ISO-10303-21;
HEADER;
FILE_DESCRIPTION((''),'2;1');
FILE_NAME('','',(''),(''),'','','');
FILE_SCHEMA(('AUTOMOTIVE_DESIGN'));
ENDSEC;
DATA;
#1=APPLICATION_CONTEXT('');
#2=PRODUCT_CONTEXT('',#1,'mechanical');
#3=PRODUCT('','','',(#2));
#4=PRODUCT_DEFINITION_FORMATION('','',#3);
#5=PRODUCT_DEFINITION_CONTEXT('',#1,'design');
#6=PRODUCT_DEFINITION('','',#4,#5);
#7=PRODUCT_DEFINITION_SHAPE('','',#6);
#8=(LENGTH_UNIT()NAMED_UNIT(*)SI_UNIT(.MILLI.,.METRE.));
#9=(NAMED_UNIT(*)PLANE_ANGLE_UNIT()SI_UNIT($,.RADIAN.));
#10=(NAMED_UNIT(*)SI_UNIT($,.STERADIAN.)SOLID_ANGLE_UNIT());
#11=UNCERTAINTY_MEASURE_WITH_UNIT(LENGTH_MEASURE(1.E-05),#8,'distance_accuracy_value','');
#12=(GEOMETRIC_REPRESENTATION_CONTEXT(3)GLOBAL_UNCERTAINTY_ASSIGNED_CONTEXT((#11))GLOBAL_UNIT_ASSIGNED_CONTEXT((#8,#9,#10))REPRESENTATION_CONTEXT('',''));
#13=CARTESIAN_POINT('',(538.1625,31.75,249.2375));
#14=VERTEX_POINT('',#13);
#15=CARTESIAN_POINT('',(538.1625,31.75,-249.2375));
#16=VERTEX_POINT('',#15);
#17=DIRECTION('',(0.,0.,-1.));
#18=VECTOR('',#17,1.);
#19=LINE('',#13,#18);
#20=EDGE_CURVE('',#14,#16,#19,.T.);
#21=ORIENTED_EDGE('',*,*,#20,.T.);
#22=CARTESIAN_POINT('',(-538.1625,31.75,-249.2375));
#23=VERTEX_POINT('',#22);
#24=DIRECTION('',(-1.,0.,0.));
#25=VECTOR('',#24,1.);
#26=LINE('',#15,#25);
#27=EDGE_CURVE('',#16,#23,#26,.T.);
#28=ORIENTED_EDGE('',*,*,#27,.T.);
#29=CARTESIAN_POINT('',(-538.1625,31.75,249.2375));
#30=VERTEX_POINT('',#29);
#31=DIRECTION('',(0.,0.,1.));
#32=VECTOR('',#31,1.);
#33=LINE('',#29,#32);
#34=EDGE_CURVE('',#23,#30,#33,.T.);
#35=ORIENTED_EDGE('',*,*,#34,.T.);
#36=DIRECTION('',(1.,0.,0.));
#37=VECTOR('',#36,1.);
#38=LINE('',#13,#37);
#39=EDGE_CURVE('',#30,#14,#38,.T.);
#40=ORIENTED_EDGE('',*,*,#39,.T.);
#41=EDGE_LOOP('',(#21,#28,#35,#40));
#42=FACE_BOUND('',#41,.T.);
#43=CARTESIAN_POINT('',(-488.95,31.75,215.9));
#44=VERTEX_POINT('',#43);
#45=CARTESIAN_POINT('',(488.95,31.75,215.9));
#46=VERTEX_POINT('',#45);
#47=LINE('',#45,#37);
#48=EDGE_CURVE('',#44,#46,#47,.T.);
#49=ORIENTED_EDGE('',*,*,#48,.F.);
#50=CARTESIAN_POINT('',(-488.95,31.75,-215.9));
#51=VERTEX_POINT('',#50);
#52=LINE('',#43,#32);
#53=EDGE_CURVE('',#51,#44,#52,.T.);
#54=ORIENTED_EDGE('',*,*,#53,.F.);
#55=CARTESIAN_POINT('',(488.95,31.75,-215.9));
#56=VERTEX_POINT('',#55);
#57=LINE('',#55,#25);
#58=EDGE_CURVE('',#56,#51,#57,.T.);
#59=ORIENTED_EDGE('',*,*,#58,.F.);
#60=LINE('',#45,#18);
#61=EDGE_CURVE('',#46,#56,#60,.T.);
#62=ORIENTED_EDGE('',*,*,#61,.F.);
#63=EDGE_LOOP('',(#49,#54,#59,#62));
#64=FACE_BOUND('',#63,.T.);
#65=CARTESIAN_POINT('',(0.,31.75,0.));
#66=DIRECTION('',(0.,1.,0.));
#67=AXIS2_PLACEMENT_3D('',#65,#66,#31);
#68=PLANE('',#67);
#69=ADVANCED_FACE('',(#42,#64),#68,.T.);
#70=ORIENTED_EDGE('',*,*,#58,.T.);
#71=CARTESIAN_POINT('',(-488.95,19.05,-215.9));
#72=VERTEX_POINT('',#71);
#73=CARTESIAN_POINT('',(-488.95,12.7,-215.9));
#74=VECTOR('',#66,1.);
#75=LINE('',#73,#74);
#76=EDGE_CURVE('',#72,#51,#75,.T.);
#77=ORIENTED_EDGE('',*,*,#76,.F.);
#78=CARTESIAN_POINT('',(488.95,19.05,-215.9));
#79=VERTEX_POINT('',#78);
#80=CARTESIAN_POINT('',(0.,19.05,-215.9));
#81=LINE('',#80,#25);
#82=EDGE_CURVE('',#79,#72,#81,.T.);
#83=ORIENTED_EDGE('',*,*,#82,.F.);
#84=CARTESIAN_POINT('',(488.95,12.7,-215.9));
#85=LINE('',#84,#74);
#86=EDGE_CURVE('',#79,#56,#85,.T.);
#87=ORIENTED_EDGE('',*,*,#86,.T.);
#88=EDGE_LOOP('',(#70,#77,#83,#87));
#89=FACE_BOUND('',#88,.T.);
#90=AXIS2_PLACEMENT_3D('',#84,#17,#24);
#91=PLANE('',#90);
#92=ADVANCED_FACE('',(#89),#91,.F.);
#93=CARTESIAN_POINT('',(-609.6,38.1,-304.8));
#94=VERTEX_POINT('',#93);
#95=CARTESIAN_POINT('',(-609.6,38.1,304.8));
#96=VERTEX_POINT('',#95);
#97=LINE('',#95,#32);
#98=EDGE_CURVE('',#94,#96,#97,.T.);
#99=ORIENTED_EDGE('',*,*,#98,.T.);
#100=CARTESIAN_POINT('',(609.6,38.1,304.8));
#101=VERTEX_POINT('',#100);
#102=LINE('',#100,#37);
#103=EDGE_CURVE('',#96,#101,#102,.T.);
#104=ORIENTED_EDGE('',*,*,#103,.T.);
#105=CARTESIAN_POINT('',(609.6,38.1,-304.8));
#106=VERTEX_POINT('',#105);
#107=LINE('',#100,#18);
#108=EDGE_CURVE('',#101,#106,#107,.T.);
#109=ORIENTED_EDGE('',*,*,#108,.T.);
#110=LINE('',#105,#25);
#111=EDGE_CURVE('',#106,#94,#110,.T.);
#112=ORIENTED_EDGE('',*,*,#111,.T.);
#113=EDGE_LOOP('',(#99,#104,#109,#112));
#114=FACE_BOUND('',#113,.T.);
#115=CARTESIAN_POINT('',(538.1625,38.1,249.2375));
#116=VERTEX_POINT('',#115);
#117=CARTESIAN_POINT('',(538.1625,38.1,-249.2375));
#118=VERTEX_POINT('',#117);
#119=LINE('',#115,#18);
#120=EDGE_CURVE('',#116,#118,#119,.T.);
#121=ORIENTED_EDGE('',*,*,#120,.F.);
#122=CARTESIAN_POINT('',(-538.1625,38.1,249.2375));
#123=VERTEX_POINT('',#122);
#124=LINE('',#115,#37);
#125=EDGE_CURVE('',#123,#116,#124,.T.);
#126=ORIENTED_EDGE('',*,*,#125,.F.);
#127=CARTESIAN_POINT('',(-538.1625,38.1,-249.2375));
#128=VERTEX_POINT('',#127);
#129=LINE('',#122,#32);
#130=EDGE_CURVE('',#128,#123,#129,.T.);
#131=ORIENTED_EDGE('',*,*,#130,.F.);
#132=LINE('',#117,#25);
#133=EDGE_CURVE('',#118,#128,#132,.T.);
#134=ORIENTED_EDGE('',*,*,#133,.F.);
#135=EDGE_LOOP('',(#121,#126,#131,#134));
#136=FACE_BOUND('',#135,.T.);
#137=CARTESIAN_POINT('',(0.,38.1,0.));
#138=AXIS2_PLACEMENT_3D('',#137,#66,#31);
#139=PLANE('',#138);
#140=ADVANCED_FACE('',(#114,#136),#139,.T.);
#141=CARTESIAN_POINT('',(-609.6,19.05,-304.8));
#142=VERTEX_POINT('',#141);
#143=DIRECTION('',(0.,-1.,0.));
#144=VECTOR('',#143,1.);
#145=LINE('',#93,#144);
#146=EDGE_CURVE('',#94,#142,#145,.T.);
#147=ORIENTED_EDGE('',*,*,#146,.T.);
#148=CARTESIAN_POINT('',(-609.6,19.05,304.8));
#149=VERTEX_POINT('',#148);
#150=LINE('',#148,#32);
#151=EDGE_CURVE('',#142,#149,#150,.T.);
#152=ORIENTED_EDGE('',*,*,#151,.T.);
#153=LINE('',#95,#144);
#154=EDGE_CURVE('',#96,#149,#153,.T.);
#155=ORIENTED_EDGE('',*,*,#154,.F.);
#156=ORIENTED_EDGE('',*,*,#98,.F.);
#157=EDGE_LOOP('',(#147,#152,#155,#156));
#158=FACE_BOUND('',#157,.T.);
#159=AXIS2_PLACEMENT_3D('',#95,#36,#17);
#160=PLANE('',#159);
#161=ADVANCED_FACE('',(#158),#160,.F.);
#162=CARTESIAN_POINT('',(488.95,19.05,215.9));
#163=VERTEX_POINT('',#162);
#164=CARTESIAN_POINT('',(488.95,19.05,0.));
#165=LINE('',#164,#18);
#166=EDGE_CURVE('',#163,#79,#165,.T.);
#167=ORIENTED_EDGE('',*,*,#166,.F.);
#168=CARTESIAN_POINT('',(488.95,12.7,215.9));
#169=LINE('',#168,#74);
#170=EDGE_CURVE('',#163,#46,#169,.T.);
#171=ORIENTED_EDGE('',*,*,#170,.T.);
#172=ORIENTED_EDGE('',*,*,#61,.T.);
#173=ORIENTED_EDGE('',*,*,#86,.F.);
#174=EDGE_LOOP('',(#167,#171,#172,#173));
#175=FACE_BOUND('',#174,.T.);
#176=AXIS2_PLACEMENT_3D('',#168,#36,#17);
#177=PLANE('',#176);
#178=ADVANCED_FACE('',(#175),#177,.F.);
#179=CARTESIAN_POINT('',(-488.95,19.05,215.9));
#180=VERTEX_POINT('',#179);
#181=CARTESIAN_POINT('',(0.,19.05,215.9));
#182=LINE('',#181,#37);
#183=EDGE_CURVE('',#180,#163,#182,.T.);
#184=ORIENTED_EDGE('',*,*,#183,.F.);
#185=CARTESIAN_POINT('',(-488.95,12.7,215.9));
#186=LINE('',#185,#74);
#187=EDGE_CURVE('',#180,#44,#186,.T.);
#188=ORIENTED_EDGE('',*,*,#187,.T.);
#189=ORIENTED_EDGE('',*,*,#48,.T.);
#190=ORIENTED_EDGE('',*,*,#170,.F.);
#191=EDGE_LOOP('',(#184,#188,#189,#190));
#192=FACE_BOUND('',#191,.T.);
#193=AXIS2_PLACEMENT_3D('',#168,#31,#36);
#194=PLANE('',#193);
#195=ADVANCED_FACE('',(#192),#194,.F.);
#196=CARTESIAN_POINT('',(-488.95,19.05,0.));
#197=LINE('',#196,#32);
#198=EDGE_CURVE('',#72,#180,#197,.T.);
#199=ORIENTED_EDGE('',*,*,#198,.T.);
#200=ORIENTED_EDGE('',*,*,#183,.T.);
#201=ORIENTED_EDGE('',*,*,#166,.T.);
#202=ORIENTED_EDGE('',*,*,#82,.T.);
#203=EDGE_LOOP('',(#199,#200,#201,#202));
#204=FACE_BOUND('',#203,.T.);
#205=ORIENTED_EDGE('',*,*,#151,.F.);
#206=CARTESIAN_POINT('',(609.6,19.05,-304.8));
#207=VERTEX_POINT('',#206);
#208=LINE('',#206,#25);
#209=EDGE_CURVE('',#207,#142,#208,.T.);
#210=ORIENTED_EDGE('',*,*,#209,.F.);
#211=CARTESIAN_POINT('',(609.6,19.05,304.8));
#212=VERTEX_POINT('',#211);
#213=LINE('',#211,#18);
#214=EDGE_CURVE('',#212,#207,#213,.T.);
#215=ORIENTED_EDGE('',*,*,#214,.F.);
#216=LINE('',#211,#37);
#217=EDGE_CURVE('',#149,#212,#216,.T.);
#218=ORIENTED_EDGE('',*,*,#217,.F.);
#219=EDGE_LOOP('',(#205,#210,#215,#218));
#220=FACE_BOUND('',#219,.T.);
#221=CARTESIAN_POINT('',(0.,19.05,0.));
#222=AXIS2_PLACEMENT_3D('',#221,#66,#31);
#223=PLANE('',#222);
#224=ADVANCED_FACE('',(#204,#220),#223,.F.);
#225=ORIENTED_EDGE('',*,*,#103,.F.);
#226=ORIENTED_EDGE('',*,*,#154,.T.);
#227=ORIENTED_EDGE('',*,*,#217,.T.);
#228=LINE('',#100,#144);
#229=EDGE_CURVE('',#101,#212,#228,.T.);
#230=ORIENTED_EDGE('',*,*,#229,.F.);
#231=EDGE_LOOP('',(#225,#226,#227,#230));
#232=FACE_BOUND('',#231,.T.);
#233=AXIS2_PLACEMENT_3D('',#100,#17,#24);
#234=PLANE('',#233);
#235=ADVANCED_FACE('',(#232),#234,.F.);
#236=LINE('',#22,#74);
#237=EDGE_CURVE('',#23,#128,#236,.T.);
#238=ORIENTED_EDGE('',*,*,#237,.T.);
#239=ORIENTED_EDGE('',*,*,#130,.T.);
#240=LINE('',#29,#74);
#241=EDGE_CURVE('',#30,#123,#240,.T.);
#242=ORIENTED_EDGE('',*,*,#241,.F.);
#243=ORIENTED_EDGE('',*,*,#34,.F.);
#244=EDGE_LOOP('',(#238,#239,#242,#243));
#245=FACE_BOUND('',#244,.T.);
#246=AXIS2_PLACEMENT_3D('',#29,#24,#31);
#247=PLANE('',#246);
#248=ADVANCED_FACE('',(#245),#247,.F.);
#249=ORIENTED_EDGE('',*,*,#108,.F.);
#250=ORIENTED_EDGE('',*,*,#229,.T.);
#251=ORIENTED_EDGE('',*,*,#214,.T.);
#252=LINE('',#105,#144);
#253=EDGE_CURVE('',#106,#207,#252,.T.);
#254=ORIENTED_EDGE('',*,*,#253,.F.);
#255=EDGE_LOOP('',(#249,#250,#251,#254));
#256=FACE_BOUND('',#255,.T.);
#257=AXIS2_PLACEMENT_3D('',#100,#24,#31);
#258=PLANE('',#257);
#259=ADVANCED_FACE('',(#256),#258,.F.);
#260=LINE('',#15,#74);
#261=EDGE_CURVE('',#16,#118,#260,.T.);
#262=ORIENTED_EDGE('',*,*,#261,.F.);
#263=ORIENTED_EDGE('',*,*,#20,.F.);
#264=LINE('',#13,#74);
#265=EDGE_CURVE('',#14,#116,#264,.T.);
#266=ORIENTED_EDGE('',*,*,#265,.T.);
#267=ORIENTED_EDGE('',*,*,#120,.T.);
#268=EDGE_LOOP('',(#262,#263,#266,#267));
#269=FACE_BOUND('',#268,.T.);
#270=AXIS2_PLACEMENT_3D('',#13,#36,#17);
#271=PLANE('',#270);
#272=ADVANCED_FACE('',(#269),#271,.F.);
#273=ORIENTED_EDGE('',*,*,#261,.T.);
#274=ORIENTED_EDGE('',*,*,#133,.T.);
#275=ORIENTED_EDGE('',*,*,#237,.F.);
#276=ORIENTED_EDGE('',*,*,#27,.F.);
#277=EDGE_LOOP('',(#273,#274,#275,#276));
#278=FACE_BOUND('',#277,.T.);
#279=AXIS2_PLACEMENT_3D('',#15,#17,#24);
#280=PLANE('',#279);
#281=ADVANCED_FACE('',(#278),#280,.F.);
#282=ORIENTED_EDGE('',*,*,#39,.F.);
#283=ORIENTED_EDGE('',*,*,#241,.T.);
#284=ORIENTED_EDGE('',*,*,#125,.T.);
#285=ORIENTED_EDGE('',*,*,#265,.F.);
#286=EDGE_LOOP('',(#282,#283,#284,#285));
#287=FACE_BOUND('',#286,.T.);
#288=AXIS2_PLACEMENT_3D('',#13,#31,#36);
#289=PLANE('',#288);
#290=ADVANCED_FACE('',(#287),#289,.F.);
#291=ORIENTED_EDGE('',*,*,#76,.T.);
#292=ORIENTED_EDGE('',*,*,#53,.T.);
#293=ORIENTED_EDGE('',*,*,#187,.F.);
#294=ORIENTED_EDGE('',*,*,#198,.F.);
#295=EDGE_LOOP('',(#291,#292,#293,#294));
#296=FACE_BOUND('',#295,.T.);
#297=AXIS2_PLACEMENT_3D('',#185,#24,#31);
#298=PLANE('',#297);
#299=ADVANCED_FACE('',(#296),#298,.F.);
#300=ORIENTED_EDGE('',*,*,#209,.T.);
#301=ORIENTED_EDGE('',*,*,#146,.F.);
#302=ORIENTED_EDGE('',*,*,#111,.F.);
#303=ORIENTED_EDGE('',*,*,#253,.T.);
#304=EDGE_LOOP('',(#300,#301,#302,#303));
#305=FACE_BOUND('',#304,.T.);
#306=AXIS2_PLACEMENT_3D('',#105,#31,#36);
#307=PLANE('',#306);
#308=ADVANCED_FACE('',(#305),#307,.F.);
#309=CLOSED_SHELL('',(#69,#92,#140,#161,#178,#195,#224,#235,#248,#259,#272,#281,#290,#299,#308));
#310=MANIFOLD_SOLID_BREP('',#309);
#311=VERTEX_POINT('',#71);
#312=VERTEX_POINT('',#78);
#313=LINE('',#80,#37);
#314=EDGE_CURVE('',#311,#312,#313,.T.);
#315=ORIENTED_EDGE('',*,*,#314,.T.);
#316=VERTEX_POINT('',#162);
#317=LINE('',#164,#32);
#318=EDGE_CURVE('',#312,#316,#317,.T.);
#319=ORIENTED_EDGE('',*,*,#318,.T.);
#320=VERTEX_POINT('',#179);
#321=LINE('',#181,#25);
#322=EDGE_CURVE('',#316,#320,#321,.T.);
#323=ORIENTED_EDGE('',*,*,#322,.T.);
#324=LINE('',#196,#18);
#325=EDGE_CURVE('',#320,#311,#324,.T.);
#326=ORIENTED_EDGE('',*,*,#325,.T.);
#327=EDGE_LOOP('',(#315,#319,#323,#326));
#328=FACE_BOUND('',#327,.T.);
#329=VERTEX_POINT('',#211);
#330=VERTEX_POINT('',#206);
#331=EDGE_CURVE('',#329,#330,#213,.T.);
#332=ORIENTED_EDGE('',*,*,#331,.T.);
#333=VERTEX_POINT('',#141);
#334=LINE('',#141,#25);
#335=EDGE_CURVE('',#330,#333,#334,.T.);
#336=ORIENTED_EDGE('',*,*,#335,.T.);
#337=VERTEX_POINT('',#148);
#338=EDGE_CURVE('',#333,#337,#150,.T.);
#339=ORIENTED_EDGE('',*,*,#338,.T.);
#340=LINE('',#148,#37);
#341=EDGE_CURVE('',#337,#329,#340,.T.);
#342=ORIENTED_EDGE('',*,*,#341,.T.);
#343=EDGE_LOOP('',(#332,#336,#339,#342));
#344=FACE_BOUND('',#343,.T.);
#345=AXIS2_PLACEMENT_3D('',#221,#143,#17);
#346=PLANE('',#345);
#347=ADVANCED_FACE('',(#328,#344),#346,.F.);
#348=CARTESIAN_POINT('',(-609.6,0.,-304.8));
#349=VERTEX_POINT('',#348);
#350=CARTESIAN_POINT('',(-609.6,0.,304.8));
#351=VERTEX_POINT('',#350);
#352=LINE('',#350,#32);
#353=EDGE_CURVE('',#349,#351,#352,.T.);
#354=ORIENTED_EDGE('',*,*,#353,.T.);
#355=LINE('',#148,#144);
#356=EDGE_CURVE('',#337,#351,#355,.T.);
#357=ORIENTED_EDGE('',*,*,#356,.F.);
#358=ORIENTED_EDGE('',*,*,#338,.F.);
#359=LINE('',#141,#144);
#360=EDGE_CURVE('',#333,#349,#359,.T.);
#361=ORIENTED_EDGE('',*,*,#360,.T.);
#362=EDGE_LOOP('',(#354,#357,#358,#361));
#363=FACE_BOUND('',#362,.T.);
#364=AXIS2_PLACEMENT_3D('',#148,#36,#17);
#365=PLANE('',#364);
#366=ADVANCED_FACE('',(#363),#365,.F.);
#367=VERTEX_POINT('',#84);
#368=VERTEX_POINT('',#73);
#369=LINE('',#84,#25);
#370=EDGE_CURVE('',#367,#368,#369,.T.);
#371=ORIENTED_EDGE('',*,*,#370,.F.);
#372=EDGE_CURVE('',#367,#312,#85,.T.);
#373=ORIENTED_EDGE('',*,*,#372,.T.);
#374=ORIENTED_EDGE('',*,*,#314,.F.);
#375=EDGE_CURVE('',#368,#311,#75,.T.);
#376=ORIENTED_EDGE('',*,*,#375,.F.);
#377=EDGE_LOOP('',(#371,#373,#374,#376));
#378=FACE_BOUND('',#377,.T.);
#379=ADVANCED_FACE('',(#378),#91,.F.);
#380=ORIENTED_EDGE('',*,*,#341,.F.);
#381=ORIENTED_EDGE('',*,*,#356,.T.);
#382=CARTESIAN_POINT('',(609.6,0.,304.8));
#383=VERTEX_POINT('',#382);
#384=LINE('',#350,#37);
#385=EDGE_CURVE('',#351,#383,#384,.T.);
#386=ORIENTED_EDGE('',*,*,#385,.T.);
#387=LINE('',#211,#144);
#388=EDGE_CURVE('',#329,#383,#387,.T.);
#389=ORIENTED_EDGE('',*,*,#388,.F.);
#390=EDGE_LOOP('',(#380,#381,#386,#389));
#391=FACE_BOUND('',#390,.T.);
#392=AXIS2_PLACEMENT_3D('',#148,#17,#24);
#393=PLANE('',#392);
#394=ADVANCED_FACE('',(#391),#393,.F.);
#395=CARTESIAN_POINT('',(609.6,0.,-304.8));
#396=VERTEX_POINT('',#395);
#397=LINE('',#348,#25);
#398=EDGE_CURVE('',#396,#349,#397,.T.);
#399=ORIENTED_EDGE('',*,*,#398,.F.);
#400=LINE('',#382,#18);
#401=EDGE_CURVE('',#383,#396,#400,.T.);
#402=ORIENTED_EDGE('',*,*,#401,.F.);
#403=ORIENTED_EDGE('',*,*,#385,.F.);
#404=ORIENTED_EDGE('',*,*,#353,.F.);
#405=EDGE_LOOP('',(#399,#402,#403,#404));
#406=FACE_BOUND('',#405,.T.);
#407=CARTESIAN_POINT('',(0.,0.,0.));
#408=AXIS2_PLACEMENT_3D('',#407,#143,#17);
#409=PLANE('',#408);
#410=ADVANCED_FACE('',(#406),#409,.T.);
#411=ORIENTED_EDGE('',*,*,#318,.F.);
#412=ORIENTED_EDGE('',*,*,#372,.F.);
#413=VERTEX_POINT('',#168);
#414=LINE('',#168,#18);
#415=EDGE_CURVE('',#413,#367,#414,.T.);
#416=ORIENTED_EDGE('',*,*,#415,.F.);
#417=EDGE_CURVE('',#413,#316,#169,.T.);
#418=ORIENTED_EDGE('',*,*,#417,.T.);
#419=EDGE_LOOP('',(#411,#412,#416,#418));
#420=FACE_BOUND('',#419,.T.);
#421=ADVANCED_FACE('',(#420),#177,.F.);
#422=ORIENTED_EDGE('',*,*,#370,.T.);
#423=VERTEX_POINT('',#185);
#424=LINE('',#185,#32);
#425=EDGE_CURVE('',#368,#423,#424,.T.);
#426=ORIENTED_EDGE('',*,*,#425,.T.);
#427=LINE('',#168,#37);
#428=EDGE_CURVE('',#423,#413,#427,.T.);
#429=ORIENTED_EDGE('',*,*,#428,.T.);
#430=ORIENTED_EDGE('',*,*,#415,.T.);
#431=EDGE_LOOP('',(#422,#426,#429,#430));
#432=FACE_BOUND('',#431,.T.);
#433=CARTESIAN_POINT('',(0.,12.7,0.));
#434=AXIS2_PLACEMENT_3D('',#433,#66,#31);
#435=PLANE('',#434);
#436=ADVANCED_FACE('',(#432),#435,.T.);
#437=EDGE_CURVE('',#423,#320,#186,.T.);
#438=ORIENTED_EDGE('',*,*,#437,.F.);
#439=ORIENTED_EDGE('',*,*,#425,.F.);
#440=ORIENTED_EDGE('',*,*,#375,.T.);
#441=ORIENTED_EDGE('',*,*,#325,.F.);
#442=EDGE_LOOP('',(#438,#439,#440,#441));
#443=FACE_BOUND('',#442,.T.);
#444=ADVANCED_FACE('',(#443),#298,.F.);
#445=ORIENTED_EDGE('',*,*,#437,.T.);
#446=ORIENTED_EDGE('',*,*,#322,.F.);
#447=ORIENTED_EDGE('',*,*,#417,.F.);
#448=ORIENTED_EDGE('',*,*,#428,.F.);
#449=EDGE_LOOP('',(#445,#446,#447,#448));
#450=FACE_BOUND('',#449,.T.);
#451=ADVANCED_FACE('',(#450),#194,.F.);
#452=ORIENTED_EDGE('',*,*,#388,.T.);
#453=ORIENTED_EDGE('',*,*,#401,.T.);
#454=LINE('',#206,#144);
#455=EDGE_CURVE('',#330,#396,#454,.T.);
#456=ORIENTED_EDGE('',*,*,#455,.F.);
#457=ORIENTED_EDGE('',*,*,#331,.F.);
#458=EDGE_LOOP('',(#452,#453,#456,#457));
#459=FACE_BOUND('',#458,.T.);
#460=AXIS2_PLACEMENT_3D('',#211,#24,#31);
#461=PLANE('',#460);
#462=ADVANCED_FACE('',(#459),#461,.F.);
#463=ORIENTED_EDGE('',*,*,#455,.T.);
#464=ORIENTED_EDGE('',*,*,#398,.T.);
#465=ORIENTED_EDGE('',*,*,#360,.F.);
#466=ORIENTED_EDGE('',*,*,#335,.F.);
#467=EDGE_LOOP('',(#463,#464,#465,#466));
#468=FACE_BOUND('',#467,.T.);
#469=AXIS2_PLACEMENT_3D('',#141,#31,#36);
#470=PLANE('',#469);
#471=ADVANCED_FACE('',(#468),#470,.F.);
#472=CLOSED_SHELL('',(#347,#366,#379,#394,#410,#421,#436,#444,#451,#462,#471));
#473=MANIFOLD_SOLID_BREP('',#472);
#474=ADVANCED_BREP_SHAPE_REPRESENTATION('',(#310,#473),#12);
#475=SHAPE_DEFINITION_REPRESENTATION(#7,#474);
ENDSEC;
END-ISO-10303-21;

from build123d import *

# Parameters (mm, degrees)
SKETCH1_W        = 1219.2
SKETCH1_H        = 609.6
MDF_SLAB1_DEPTH  = 19.05
SKETCH2_W        = 1219.2
SKETCH2_H        = 609.6
MDF_SLAB2_DEPTH  = 19.05
SKETCH3_W        = 1076.325
SKETCH3_H        = 498.475
WINDOW_CUT_DEPTH = 6.35
SKETCH4_W        = 977.9
SKETCH4_H        = 431.8
MIRROR_CUT_DEPTH = 19.05


with BuildPart() as part:
    # Sketch1 → MDF_Slab1 (new body)
    with BuildSketch(Plane(origin=(0, 0, 0), x_dir=(1, 0, 0), z_dir=(0, 1, 0))):
        Rectangle(SKETCH1_W, SKETCH1_H)
    extrude(amount=MDF_SLAB1_DEPTH)


with BuildPart() as body_2:
    # Sketch2 → MDF_Slab2 (new body)
    with BuildSketch(Plane(origin=(0, 19.05, 0), x_dir=(1, 0, 0), z_dir=(0, 1, 0))):
        Rectangle(SKETCH2_W, SKETCH2_H)
    extrude(amount=MDF_SLAB2_DEPTH)

    # Sketch3 → Window_Cut (cut)
    with BuildSketch(Plane(origin=(0, 38.1, 0), x_dir=(1, 0, 0), z_dir=(0, 1, 0))):
        Rectangle(SKETCH3_W, SKETCH3_H)
    extrude(amount=-WINDOW_CUT_DEPTH, mode=Mode.SUBTRACT)


with BuildPart() as mirror_cut_tool:
    # Sketch4 → Mirror_Cut (new body)
    with BuildSketch(Plane(origin=(0, 31.75, 0), x_dir=(1, 0, 0), z_dir=(0, 1, 0))):
        Rectangle(SKETCH4_W, SKETCH4_H)
    extrude(amount=-MIRROR_CUT_DEPTH)


with BuildPart() as part_1:
    add(part.part)

    # Mirror_Cut: cut by mirror_cut_tool
    add(mirror_cut_tool.part, mode=Mode.SUBTRACT)


with BuildPart() as body_2_1:
    add(body_2.part)

    # Mirror_Cut: cut by mirror_cut_tool
    add(mirror_cut_tool.part, mode=Mode.SUBTRACT)


solid = Compound([part_1.part, body_2_1.part])
